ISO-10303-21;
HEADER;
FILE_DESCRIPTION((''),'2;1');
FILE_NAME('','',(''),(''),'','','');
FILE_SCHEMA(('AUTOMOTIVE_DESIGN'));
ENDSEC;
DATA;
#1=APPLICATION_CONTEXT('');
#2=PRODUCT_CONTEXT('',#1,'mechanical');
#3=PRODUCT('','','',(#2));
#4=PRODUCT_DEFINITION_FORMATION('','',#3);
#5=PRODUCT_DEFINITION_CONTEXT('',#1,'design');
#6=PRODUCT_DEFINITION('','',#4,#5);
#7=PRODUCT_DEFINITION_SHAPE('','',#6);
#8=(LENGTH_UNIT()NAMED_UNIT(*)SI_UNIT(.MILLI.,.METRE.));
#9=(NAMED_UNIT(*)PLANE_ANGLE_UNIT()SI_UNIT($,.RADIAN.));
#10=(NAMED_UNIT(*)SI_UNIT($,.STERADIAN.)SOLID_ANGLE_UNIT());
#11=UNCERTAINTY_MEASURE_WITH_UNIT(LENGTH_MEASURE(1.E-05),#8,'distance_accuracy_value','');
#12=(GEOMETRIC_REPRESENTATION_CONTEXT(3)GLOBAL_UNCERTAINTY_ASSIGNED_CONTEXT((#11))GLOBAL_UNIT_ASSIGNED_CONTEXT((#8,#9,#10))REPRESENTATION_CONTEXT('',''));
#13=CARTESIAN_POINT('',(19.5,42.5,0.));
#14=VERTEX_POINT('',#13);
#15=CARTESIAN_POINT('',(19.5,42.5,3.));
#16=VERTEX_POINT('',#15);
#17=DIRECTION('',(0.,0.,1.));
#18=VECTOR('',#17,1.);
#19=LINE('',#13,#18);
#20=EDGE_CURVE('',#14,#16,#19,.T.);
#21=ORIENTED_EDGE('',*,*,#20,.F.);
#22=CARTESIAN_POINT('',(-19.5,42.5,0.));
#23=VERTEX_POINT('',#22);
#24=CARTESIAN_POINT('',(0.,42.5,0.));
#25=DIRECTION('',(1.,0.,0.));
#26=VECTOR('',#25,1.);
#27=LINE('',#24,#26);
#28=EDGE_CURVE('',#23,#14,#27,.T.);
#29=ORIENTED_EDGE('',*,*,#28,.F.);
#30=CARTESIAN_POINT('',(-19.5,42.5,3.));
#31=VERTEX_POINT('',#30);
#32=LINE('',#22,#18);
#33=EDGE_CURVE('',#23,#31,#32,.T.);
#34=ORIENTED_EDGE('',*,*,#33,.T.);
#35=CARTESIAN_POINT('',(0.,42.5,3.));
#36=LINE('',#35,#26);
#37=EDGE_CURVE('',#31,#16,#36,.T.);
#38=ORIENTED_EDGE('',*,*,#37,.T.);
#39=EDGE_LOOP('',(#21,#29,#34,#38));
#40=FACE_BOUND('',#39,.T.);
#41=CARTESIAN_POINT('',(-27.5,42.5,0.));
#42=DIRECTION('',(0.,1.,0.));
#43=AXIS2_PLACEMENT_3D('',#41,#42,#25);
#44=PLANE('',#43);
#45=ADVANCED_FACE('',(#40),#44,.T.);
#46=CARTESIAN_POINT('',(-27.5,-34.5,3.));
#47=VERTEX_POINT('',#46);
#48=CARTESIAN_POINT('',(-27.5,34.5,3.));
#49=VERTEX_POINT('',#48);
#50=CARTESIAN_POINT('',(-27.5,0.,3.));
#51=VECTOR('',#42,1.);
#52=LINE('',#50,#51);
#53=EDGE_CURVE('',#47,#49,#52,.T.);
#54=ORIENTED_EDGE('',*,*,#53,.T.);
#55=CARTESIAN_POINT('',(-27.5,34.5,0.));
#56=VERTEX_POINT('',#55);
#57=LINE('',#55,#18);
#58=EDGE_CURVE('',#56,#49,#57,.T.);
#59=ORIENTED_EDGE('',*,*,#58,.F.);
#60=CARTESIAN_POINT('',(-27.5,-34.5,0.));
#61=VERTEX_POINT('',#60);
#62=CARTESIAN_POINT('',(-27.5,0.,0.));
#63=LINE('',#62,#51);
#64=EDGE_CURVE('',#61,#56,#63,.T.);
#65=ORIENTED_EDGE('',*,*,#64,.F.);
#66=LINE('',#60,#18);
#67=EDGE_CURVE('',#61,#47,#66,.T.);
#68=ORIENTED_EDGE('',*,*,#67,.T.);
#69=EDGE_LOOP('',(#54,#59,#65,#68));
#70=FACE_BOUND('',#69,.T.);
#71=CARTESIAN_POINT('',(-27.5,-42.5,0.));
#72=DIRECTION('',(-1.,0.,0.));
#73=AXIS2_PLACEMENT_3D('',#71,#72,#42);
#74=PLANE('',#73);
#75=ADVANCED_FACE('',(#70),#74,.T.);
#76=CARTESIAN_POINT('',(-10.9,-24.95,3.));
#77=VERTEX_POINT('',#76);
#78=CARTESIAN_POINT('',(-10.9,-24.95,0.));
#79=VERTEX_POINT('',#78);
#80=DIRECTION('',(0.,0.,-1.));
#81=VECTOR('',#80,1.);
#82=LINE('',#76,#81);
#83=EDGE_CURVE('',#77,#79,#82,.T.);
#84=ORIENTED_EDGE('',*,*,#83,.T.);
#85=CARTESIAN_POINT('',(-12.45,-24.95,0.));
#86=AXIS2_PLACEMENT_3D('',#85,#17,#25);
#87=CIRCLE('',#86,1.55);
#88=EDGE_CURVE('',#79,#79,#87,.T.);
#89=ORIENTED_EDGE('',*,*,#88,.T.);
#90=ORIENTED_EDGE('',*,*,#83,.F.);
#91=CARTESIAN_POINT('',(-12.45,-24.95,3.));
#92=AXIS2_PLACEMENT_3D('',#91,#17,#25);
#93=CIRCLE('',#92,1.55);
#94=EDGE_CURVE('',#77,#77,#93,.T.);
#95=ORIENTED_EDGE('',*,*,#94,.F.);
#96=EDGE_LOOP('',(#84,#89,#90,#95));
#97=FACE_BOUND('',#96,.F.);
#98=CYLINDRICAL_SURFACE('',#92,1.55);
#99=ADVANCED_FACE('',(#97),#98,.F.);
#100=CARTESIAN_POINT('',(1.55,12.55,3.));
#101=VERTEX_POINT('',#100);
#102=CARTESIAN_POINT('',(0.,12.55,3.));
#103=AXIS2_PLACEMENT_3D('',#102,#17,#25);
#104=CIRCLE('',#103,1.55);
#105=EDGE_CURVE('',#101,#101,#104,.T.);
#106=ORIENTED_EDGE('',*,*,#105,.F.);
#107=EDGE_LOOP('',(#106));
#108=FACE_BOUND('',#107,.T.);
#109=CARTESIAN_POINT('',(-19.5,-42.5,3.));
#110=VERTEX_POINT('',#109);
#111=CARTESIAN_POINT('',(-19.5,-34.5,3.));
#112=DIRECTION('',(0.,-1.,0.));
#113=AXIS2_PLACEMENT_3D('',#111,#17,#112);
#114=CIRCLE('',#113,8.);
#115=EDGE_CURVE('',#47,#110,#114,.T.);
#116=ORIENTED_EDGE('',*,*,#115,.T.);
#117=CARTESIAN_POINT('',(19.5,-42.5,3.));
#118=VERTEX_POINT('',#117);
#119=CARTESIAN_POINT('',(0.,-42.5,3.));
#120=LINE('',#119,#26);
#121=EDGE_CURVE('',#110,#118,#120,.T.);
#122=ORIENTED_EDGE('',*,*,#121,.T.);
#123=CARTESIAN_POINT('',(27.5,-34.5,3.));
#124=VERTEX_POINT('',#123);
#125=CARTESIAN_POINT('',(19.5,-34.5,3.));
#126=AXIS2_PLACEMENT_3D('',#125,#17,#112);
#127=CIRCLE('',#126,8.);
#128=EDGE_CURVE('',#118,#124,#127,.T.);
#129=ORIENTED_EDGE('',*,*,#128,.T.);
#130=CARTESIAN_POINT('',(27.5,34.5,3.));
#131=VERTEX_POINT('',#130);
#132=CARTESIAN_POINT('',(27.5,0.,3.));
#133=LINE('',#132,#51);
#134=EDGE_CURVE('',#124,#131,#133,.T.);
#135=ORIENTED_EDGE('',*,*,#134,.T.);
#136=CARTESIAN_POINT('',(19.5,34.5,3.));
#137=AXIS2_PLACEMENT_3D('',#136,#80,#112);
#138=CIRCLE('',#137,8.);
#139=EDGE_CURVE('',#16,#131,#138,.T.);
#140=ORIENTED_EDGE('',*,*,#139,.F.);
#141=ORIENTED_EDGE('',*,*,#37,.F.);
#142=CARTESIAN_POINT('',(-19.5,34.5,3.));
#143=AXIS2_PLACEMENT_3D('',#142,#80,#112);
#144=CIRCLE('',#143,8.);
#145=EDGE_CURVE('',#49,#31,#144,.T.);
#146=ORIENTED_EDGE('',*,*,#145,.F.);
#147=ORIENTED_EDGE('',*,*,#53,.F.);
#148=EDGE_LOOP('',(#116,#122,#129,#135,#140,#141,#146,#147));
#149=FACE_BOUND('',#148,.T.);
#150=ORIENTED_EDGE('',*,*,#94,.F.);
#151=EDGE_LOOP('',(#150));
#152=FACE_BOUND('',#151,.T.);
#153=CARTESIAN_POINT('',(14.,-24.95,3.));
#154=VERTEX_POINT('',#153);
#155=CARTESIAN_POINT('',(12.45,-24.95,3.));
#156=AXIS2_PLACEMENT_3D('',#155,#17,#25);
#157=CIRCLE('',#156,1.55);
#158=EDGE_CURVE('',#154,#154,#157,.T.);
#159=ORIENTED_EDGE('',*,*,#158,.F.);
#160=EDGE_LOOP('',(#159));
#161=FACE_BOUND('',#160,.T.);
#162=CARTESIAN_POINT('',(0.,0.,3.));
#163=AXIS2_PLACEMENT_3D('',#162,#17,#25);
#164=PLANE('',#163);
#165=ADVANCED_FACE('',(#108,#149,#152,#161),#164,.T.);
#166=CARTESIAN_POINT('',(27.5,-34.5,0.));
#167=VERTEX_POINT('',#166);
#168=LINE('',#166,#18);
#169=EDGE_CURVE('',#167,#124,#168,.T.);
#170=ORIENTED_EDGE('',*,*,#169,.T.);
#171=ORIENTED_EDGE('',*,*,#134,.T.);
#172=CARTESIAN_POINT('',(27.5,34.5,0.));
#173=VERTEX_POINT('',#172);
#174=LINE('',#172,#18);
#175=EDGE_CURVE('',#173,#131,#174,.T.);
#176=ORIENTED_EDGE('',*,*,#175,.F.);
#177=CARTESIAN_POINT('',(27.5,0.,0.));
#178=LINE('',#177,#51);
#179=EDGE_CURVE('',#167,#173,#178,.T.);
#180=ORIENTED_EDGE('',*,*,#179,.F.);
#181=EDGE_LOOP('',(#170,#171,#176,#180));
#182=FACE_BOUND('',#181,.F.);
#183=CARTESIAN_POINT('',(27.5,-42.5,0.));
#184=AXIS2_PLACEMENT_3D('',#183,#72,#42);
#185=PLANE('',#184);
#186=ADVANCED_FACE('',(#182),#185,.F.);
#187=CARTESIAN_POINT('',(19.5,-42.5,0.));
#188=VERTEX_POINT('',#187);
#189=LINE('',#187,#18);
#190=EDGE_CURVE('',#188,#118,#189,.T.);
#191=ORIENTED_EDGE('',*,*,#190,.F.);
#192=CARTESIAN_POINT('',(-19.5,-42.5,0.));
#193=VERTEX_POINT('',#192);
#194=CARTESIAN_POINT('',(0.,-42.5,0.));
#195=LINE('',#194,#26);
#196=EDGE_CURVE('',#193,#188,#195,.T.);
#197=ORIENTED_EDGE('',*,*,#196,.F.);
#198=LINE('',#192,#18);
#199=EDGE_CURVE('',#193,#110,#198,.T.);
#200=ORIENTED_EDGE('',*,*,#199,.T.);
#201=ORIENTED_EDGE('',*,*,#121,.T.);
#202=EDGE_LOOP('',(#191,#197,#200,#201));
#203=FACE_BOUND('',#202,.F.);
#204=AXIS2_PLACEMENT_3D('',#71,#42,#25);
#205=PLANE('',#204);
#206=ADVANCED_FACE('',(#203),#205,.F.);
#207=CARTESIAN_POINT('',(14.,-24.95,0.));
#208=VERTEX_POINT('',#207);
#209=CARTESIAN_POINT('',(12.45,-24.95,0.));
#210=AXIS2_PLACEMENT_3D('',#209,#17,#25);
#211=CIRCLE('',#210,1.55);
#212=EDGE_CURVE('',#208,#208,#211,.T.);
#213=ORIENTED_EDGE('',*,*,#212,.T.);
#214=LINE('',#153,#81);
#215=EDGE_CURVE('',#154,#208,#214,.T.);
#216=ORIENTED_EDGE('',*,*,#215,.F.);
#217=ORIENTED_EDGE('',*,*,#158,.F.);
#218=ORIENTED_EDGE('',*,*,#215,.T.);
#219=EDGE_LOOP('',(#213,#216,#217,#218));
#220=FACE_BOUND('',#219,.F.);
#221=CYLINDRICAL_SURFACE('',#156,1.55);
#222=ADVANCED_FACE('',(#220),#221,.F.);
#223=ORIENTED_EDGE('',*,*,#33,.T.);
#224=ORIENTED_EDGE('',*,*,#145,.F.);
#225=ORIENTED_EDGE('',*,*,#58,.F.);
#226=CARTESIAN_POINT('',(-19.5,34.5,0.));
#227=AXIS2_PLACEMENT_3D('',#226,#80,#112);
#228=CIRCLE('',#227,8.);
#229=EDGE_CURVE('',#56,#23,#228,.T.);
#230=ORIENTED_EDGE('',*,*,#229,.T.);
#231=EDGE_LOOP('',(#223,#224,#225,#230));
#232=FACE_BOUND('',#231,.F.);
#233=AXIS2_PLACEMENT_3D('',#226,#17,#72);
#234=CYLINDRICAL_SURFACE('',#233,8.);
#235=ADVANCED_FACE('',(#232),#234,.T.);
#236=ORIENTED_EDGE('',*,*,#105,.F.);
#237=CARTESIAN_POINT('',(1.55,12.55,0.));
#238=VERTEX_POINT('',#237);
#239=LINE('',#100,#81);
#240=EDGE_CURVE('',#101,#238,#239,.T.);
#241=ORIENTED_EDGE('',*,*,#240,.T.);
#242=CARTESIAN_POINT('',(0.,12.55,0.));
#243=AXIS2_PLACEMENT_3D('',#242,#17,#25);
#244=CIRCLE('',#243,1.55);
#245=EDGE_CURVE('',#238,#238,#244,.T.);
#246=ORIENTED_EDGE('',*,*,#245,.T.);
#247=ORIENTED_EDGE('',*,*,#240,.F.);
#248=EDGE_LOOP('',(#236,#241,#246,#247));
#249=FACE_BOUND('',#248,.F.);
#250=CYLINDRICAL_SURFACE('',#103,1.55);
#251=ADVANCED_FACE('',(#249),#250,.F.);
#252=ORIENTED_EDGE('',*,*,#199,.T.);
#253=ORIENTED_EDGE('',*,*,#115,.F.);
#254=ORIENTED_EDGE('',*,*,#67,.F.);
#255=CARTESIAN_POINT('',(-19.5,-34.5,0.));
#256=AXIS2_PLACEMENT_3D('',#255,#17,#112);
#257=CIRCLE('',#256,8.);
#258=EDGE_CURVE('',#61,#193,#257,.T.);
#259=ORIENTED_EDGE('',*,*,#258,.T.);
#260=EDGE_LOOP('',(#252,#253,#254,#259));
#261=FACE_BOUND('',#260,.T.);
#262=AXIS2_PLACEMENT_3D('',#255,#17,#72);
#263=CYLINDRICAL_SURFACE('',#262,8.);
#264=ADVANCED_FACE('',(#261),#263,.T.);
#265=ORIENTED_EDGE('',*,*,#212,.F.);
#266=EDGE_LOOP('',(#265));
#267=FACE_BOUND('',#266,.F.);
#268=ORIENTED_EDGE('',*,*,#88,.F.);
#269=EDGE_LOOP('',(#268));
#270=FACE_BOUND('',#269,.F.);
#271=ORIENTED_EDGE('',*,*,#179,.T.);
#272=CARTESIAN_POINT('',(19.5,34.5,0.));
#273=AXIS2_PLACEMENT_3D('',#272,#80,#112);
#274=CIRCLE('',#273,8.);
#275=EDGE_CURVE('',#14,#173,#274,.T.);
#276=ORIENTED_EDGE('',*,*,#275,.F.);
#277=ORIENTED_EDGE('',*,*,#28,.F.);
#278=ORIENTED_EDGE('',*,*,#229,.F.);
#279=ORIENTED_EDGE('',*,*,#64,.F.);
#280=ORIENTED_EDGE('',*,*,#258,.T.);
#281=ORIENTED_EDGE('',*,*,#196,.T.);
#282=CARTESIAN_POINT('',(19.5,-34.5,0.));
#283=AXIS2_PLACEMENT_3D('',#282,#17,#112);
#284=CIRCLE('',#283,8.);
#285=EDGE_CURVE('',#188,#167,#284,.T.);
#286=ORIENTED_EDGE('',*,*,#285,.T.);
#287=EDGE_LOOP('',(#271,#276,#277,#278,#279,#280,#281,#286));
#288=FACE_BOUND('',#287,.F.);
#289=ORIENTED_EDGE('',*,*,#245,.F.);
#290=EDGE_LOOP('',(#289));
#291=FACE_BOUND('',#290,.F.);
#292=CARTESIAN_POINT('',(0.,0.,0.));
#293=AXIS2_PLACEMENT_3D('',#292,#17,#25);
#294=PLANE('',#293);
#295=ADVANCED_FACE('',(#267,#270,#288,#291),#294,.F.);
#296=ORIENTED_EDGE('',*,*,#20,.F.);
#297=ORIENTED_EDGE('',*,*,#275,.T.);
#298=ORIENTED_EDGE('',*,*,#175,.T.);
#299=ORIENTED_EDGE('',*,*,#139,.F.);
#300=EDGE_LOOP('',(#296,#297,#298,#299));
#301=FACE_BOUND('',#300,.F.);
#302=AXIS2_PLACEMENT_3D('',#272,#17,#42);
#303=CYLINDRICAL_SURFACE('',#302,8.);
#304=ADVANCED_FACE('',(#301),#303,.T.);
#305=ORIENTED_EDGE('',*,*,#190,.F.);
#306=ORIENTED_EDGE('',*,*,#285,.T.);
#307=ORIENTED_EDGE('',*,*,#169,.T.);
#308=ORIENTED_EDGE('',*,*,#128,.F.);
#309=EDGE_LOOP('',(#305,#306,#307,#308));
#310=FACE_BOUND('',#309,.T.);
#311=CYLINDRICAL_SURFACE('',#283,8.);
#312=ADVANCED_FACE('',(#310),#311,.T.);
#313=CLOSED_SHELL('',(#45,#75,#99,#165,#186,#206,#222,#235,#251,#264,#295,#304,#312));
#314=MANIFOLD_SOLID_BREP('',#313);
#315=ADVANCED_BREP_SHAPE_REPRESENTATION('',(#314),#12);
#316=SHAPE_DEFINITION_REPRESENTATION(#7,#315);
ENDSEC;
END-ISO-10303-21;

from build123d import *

# Parameters (mm, degrees)
F0_W     = 55
F0_H     = 85
F1_DEPTH = 3
F2_R     = 1.55
F3_DEPTH = 3
F4_R     = 8


with BuildPart() as f1:
    # F0 (on Top) → F1 (new body)
    with BuildSketch(Plane.XY):
        Rectangle(F0_W, F0_H)
    extrude(amount=F1_DEPTH)

    # F2 (on face) → F3 (cut, through all)
    with BuildSketch(Plane.XY.offset(3)):
        with Locations((-12.45, -24.95)):
            Circle(F2_R)
        with Locations((12.45, -24.95)):
            Circle(F2_R)
        with Locations((0, 12.55)):
            Circle(F2_R)
    extrude(amount=-F3_DEPTH, mode=Mode.SUBTRACT)

    # F4
    f4_edges = [f1.edges().sort_by_distance(p)[0] for p in [
        (27.5, -42.5, 1.5),
        (-27.5, -42.5, 1.5),
        (-27.5, 42.5, 1.5),
        (27.5, 42.5, 1.5),
    ]]
    fillet(f4_edges, radius=F4_R)


solid = f1.part
